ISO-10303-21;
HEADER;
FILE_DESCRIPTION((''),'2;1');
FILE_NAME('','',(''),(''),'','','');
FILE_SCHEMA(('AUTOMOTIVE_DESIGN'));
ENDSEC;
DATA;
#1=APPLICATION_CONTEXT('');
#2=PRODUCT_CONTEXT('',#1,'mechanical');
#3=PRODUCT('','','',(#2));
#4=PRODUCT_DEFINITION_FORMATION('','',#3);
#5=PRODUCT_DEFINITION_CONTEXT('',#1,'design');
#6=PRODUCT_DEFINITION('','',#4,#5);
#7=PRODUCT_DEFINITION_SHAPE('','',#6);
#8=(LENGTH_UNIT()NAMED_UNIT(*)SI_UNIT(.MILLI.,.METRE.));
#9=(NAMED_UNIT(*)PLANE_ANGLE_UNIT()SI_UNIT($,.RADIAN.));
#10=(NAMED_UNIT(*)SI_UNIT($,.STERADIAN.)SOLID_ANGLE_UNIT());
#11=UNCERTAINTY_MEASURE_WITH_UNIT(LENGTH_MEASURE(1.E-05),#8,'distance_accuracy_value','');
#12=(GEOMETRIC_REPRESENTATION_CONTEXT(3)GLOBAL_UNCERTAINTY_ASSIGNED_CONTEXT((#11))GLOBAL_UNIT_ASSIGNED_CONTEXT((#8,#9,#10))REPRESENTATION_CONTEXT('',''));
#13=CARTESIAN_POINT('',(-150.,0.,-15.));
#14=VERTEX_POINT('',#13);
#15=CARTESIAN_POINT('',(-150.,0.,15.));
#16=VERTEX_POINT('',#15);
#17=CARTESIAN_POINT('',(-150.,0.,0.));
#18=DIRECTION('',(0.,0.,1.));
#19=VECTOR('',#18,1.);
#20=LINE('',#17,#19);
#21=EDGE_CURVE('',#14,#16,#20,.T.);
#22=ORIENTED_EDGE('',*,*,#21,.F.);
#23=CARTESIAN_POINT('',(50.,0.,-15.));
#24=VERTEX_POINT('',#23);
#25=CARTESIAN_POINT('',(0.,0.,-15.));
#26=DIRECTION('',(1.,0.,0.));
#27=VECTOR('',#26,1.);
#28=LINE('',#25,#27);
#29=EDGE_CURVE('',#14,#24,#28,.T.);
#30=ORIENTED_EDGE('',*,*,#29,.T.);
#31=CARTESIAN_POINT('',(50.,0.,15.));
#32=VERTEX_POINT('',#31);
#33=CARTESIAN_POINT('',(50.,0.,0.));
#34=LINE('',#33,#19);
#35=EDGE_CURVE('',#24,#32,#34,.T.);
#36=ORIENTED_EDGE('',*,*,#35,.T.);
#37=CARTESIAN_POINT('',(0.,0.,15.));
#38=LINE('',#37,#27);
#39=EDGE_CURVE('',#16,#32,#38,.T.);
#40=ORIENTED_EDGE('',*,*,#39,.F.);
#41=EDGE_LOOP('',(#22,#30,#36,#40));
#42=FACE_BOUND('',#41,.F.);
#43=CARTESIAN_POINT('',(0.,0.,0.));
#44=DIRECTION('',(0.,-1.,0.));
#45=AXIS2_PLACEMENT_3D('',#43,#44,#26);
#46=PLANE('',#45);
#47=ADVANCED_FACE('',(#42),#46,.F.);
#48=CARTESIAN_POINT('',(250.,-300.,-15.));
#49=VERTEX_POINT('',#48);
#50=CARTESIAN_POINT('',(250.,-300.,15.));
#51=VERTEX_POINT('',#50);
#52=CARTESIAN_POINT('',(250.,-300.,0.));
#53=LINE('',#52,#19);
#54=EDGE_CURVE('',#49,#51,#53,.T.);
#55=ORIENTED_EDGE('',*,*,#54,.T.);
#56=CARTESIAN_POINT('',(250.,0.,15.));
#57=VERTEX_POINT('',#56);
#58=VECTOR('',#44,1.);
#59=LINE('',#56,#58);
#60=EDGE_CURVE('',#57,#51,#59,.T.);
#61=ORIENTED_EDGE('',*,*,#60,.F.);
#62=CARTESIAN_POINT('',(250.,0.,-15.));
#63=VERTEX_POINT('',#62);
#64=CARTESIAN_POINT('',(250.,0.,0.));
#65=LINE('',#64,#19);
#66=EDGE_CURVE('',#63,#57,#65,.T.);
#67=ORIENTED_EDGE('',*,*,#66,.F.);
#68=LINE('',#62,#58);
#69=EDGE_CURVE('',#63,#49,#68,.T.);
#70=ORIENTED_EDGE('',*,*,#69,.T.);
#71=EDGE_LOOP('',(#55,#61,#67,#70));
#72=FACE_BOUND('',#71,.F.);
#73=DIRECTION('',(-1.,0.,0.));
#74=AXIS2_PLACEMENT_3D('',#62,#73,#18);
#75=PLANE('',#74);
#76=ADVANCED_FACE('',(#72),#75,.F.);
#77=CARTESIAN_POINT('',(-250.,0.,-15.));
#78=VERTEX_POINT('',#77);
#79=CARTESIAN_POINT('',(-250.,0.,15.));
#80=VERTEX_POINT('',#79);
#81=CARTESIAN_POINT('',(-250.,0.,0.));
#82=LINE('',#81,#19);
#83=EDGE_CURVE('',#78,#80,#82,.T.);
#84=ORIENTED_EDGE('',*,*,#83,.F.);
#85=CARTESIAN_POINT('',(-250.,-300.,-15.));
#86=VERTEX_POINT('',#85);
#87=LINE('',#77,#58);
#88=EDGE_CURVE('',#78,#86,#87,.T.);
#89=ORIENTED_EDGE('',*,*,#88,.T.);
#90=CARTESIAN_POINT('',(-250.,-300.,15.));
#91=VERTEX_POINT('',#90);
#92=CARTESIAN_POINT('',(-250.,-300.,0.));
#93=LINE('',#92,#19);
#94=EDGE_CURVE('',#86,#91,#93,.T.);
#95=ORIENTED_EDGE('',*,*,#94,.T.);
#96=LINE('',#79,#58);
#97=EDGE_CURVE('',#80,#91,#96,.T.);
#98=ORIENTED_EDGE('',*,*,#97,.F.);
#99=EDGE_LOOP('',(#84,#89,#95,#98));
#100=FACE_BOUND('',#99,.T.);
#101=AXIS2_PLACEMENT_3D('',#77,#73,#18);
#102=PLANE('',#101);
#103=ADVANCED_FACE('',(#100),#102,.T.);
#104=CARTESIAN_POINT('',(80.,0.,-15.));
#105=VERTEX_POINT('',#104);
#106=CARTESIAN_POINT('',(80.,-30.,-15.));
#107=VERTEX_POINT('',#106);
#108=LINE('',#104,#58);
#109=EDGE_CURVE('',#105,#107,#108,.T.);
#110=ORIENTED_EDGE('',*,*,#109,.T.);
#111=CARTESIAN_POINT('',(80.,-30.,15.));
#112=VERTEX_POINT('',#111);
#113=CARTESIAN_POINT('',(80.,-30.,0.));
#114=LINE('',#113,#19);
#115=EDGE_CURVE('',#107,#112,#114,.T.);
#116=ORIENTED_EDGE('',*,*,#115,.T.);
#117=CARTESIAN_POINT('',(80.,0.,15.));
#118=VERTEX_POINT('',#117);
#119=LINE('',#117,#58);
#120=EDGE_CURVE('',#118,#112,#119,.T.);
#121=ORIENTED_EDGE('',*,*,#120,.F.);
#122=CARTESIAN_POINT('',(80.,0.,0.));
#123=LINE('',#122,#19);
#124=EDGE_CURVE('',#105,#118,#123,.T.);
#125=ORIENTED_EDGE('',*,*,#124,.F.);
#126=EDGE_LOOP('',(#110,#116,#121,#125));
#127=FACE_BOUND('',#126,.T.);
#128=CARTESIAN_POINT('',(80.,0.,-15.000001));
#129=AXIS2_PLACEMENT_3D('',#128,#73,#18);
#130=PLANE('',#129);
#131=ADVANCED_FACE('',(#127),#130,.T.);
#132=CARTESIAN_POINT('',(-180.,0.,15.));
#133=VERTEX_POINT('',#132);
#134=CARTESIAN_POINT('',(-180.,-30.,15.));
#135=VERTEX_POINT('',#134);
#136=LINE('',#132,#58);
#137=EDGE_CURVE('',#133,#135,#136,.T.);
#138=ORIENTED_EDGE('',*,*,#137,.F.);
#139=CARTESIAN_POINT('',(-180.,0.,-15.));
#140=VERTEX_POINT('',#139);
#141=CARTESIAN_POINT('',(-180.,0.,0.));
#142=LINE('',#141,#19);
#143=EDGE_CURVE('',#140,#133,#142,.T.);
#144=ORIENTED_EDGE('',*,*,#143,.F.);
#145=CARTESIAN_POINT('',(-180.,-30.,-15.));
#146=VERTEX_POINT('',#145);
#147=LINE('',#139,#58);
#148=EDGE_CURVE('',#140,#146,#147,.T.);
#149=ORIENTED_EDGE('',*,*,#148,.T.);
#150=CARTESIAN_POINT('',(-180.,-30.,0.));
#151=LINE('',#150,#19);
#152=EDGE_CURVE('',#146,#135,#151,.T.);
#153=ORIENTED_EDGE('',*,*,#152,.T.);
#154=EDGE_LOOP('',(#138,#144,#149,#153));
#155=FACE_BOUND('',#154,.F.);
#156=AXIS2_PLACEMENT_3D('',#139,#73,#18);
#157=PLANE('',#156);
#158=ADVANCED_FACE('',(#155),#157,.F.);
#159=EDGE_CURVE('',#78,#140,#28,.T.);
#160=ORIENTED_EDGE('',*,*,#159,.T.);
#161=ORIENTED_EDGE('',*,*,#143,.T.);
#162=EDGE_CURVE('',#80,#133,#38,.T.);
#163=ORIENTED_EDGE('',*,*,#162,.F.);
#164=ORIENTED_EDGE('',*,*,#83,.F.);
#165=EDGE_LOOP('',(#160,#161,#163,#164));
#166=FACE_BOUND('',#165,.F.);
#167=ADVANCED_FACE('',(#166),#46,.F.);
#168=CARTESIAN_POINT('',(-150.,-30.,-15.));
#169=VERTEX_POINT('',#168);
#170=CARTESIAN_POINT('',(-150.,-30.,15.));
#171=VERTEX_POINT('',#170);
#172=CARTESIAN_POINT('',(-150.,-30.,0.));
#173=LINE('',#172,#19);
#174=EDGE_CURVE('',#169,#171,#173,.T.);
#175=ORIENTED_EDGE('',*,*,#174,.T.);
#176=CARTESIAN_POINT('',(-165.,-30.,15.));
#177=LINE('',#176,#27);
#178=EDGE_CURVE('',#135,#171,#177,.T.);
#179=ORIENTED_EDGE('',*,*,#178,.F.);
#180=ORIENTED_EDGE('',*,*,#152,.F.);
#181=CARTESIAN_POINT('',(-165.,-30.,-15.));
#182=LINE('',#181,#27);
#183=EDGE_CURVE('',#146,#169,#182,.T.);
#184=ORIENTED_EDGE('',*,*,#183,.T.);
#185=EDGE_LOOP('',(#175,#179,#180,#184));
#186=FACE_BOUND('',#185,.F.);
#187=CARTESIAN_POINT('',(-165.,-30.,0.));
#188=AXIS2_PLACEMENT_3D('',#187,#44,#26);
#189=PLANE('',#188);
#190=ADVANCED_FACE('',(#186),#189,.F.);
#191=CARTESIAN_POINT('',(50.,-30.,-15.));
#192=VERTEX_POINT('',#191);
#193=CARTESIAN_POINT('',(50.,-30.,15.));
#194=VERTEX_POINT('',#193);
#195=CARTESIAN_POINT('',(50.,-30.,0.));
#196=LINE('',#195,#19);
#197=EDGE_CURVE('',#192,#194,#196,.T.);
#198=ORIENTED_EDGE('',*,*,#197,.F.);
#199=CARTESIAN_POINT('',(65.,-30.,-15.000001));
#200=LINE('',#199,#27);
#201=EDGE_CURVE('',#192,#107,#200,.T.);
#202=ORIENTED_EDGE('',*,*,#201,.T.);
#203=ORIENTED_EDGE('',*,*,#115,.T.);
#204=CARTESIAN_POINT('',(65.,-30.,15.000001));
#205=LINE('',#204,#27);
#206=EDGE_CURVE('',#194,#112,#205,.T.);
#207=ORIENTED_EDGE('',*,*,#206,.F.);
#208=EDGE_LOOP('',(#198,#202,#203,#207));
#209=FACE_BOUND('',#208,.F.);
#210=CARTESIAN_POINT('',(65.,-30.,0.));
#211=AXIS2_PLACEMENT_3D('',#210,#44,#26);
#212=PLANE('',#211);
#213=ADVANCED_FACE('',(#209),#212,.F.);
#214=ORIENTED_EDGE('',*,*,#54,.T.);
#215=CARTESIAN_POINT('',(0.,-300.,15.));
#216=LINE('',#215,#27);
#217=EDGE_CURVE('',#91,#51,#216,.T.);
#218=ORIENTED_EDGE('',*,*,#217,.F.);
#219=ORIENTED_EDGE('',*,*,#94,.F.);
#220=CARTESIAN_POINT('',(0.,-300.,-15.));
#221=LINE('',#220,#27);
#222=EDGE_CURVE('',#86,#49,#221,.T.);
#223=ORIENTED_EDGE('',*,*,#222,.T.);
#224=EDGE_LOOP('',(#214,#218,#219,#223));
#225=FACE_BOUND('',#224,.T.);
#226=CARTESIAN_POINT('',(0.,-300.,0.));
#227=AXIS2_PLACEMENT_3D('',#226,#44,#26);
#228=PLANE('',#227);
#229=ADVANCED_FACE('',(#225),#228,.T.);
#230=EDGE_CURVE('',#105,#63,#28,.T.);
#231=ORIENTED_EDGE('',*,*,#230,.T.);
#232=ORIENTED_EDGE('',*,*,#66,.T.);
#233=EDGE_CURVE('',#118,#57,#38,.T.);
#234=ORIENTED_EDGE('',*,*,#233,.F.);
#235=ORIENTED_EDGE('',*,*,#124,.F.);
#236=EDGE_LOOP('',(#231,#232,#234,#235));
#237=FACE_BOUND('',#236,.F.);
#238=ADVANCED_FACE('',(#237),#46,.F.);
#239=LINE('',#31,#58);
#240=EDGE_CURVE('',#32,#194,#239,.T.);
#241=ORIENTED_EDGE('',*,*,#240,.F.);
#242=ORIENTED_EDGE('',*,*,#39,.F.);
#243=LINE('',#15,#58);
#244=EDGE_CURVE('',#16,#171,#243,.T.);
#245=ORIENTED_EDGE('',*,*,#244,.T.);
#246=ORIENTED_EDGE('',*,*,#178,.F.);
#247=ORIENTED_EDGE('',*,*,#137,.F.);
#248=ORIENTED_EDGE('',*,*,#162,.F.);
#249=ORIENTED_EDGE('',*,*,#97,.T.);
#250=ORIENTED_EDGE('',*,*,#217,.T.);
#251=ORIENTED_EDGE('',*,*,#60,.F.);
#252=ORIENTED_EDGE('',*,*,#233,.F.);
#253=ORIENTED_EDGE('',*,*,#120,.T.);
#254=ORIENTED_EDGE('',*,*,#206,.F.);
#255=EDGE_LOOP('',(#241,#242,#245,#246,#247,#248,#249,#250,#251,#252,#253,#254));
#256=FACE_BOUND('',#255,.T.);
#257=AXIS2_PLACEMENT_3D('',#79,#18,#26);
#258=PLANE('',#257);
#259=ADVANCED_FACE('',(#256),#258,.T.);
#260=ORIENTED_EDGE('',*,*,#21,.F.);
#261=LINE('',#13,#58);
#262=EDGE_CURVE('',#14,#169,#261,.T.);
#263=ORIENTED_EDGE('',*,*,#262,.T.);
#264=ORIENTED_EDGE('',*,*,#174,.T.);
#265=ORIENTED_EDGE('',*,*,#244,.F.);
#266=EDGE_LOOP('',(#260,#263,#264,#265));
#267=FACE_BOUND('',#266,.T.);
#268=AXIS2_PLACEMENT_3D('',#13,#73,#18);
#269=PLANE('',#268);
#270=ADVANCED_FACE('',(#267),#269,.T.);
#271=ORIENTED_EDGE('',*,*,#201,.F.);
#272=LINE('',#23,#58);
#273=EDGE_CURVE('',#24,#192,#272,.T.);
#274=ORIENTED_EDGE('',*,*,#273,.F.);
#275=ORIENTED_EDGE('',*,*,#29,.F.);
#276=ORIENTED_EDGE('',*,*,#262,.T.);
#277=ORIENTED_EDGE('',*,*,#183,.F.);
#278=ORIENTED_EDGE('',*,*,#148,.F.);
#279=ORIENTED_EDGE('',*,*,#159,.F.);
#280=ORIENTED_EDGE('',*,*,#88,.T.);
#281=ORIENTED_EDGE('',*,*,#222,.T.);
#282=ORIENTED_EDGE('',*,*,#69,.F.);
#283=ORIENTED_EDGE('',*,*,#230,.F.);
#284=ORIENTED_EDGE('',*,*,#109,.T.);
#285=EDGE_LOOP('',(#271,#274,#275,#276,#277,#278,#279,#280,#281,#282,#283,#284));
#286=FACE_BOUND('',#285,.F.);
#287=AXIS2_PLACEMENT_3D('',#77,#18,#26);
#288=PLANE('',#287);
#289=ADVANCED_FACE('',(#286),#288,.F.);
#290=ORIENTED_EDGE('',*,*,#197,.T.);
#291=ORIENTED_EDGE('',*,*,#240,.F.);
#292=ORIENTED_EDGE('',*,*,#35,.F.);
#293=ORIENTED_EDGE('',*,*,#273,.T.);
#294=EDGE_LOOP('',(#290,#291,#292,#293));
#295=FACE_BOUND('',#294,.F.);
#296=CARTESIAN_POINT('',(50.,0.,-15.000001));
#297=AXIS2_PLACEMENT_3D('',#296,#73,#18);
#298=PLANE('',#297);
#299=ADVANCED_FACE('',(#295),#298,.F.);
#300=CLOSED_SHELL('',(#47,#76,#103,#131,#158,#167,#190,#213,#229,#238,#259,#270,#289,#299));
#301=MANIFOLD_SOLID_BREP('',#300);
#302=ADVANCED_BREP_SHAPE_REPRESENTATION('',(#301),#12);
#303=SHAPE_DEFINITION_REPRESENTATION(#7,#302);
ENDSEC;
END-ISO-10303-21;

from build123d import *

# Parameters (mm, degrees)
F0_W     = 500
F0_H     = 30
F1_DEPTH = 300
F2_W     = 30
F2_H     = 30.000001
F3_DEPTH = 30
F4_W     = 30
F4_H     = 30
F5_DEPTH = 30


with BuildPart() as f1:
    # F0 (on Front) → F1 (new body)
    with BuildSketch(Plane.XZ):
        Rectangle(F0_W, F0_H)
    extrude(amount=F1_DEPTH)

    # F2 (on Front) → F3 (cut)
    with BuildSketch(Plane.XZ):
        with Locations((65, 0)):
            Rectangle(F2_W, F2_H)
    extrude(amount=F3_DEPTH, mode=Mode.SUBTRACT)

    # F4 (on Front) → F5 (cut)
    with BuildSketch(Plane.XZ):
        with Locations((-165, 0)):
            Rectangle(F4_W, F4_H)
    extrude(amount=F5_DEPTH, mode=Mode.SUBTRACT)


solid = f1.part
